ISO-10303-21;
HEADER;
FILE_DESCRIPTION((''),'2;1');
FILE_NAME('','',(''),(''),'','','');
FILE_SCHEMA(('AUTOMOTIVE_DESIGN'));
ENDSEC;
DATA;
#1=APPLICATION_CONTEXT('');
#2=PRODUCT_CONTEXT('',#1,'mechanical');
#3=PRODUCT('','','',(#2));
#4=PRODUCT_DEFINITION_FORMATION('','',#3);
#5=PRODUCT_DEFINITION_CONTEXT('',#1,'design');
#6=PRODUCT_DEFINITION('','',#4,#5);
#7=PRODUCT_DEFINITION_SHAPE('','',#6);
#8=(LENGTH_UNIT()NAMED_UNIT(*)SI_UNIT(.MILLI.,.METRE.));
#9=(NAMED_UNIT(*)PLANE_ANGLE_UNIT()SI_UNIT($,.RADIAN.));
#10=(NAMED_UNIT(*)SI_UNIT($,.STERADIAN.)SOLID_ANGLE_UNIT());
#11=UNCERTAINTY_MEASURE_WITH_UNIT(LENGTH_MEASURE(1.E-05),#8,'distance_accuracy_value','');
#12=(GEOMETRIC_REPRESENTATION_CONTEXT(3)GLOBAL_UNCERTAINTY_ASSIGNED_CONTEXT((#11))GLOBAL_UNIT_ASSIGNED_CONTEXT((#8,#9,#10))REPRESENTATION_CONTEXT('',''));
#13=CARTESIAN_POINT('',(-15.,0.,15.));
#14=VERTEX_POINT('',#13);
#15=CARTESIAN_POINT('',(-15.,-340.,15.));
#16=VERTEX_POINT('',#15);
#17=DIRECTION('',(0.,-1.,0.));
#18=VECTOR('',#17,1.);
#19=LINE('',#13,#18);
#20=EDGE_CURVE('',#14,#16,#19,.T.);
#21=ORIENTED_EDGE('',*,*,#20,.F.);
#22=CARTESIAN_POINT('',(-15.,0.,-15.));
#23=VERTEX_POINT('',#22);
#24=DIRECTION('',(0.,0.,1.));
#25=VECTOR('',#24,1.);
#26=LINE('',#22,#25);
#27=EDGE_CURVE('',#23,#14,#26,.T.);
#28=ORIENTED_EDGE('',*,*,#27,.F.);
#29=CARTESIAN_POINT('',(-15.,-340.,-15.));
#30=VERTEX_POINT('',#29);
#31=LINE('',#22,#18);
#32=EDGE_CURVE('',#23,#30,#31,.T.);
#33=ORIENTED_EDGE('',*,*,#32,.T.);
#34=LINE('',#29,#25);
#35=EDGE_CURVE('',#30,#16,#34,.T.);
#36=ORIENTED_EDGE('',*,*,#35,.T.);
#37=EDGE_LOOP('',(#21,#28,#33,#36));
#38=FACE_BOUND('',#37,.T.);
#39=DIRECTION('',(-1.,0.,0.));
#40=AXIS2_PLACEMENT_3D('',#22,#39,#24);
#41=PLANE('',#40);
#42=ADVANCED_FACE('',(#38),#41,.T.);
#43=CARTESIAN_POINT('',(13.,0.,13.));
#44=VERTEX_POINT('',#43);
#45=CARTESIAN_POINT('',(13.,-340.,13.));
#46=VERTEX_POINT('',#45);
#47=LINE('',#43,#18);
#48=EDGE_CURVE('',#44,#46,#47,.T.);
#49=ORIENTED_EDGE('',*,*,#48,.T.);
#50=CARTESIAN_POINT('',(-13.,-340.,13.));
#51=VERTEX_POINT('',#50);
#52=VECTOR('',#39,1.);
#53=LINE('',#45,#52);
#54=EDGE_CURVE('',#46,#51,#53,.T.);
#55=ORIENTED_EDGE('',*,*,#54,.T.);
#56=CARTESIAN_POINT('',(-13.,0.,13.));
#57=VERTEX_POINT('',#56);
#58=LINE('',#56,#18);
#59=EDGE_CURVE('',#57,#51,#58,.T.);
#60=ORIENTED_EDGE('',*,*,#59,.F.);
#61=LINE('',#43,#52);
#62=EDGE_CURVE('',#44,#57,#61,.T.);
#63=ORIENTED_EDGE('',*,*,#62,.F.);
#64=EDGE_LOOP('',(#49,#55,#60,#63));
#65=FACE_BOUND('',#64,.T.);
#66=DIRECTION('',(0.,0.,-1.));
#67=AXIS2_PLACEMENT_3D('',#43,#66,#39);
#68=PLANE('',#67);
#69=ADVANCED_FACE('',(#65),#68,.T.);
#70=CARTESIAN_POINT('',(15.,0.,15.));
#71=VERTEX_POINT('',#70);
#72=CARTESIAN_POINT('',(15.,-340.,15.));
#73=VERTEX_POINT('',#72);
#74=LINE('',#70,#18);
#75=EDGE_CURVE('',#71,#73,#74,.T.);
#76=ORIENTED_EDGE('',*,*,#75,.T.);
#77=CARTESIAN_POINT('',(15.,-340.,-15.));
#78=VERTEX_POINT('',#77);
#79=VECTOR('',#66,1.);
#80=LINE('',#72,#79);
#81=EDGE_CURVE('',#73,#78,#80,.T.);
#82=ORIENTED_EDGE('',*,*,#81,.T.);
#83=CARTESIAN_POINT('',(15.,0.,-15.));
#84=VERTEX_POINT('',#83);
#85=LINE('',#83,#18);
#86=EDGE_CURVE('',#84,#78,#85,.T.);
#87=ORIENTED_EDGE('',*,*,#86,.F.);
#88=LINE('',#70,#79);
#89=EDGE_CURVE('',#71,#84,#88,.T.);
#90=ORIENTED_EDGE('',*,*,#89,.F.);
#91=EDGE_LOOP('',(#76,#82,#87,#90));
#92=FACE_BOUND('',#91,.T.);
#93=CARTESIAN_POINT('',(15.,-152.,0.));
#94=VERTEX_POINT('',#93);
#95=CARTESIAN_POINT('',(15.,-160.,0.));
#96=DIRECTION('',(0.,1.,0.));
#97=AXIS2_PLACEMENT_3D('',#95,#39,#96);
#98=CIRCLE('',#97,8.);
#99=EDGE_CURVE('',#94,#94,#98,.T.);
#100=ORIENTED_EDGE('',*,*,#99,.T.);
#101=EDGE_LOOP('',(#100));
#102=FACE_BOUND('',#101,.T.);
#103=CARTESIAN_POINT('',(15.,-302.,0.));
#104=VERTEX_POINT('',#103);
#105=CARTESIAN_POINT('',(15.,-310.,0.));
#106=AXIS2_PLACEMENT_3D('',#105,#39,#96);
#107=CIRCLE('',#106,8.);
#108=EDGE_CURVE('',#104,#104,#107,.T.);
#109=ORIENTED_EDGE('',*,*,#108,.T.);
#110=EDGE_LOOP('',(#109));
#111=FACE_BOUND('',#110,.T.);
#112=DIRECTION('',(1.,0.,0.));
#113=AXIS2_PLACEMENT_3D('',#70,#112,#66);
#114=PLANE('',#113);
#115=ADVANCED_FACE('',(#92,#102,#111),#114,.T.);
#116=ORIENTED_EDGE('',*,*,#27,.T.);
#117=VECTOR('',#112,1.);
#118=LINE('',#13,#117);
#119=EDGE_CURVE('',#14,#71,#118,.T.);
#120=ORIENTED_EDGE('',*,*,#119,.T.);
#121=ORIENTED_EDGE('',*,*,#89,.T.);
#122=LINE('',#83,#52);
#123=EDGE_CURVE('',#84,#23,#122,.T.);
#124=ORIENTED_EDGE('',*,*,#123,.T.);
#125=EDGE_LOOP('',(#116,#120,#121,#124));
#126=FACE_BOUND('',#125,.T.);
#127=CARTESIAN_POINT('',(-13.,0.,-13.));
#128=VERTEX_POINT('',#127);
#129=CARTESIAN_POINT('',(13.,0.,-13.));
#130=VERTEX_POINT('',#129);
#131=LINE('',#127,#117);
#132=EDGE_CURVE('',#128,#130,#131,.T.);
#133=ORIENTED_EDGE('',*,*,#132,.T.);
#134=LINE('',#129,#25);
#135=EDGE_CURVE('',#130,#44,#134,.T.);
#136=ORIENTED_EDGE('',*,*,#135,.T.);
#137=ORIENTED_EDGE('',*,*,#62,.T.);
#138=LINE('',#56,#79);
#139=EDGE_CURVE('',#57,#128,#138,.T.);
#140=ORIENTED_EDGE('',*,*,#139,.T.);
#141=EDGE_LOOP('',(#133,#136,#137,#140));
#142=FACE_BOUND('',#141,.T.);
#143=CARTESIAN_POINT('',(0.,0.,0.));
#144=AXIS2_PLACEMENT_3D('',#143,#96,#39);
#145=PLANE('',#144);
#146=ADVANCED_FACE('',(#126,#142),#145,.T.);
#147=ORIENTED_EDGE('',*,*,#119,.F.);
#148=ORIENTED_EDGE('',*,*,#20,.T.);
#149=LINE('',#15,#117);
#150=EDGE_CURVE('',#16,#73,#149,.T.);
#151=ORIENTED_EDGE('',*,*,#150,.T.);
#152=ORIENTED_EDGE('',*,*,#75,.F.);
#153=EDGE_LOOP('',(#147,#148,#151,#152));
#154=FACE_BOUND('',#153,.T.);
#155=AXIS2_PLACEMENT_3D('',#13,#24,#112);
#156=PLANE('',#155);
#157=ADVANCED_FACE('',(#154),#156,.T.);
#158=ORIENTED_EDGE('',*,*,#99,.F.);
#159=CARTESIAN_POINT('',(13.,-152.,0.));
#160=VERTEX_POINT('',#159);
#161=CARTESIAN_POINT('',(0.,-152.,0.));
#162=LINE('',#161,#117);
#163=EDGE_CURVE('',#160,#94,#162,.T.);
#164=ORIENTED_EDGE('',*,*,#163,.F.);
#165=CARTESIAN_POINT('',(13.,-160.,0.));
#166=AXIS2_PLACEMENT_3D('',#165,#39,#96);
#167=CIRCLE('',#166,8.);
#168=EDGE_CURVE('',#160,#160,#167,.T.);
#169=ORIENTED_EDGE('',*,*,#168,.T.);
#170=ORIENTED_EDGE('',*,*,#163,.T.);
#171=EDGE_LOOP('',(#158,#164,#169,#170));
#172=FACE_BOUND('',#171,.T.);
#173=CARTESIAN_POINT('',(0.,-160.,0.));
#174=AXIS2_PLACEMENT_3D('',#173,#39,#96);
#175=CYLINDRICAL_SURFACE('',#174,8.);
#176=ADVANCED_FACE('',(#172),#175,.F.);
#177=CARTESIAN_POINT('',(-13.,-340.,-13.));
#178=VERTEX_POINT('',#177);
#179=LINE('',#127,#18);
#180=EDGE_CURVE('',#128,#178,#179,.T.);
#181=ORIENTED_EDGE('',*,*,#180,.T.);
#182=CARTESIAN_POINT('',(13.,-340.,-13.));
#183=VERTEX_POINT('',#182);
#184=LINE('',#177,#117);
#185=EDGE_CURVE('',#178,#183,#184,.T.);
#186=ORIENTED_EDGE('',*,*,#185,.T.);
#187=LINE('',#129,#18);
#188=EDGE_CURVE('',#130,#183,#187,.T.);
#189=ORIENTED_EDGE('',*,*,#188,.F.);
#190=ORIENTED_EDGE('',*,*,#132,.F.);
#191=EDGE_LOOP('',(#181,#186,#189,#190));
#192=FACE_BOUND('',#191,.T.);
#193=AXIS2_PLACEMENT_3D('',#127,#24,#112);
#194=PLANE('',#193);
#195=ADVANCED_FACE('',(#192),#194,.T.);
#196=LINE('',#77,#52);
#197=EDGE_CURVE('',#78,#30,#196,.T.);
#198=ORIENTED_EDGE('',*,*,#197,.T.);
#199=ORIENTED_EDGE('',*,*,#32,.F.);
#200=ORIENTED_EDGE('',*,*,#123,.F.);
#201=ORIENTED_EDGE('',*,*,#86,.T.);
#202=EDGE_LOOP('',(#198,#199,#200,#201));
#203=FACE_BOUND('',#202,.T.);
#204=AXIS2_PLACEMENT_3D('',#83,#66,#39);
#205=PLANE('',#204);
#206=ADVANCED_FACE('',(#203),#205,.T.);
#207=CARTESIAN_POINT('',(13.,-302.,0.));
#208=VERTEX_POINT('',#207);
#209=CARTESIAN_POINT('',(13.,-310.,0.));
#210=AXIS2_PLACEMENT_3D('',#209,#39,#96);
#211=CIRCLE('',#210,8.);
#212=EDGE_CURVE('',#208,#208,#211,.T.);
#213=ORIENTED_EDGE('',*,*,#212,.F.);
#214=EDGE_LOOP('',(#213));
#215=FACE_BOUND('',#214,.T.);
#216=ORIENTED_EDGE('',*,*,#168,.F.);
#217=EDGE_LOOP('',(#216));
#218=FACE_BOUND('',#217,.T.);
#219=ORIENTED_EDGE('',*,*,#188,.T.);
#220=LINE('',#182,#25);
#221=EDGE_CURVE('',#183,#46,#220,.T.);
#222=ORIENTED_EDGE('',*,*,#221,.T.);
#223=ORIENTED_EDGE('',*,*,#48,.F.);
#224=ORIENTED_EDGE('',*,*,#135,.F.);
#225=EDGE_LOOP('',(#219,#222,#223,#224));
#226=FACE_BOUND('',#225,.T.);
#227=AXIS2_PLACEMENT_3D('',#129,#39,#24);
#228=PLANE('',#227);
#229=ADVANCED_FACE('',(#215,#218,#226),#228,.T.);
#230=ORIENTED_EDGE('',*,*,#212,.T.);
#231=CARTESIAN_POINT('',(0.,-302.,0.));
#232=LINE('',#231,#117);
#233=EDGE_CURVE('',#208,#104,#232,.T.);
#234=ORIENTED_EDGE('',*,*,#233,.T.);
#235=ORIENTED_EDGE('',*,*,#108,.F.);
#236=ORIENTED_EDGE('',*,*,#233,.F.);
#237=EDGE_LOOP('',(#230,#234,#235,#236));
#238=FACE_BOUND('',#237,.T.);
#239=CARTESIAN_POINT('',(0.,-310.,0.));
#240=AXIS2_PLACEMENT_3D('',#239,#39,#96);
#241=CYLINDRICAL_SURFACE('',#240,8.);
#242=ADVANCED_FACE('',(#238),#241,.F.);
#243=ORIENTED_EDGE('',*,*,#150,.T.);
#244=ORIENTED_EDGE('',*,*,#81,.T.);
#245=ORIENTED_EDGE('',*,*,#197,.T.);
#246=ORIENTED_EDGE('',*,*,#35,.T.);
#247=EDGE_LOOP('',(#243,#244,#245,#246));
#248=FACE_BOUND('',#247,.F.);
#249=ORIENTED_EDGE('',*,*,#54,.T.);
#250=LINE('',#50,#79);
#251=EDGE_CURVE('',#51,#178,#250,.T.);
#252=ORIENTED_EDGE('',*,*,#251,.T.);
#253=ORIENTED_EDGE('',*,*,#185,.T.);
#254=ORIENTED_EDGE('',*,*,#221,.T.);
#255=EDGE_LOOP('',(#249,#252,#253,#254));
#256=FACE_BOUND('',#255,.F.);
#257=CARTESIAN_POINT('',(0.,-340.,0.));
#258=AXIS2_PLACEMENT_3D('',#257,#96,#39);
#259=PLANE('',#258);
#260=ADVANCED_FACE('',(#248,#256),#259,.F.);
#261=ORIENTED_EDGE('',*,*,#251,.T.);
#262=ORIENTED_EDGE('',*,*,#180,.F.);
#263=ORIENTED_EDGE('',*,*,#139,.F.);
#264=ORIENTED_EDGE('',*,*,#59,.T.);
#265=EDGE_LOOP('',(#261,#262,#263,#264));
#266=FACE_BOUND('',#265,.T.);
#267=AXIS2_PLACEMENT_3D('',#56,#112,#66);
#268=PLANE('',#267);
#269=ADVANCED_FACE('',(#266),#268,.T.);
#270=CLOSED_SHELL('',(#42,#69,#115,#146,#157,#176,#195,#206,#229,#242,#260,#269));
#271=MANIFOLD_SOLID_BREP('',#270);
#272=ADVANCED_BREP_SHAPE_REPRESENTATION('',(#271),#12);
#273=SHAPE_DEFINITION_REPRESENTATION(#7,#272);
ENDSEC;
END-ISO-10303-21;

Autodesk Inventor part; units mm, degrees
ref_plane "YZ Plane" through (0, 0, 0) normal (1, 0, 0) x (0, 1, 0)
ref_plane "XZ Plane" through (0, 0, 0) normal (0, 1, 0) x (-1, 0, 0)
ref_plane "XY Plane" through (0, 0, 0) normal (0, 0, 1) x (1, 0, 0)
sketch "Sketch9" plane through (0, 0, 0) normal (0, 1, 0) x (-1, 0, 0)
  line L0 (15, 15) -> (-15, 15)
  line L1 (-15, 15) -> (-15, -15)
  line L2 (-15, -15) -> (15, -15)
  line L3 (15, -15) -> (15, 15)
  line L4 (15, 15) -> (-15, -15) construction
  line L5 (-15, 15) -> (15, -15) construction
  line L6 (-13, 13) -> (13, 13)
  line L7 (13, 13) -> (13, -13)
  line L8 (13, -13) -> (-13, -13)
  line L9 (-13, -13) -> (-13, 13)
  point P0 (0, 0)
  dimension "d172" = 30
  dimension "d173" = 30
  dimension "d174" = 2
extrude "Extrusion3" add sketch "Sketch9" against normal blind 340
sketch "Sketch10" plane through (0, 0, 0) normal (1, 0, 0) x (0, 1, 0)
  line L0 (0, 15) -> (0, -15) construction
  line L1 (0, 15) -> (-340, 15) construction
  line L2 (-340, -15) -> (-340, 15) construction
  line L3 (0, -15) -> (-340, -15) construction
  line L4 (-168, 8) -> (-152, 8)
  line L5 (-152, 8) -> (-152, -8)
  line L6 (-152, -8) -> (-168, -8)
  line L7 (-168, -8) -> (-168, 8)
  line L8 (-168, 8) -> (-152, -8) construction
  line L9 (-152, 8) -> (-168, -8) construction
  line L10 (-318, 8) -> (-302, 8)
  line L11 (-302, 8) -> (-302, -8)
  line L12 (-302, -8) -> (-318, -8)
  line L13 (-318, -8) -> (-318, 8)
  line L14 (-318, 8) -> (-302, -8) construction
  line L15 (-302, 8) -> (-318, -8) construction
  line L16 (-428, 8) -> (-412, 8)
  line L17 (-412, 8) -> (-412, -8)
  line L18 (-412, -8) -> (-428, -8)
  line L19 (-428, -8) -> (-428, 8)
  line L20 (-428, 8) -> (-412, -8) construction
  line L21 (-412, 8) -> (-428, -8) construction
  circle A0 centre (-470, 0) radius 8
  line L22 (0, 0) -> (30, 0)
  circle A1 centre (-160, 0) radius 8
  circle A2 centre (-310, 0) radius 8
  circle A3 centre (-420, 0) radius 8
  dimension "d177" = 16
  dimension "d178" = 16
  dimension "d181" = 30
  dimension "d182" = 190
  dimension "d183" = 340
  dimension "d184" = 450
  dimension "d185" = 500
  dimension "d186" = 16
extrude "Extrusion4" cut sketch "Sketch10" along normal through all contours A1 | A2
properties part number "PNS 756 FDS 1200 way tube 3" material "Stainless Steel"
